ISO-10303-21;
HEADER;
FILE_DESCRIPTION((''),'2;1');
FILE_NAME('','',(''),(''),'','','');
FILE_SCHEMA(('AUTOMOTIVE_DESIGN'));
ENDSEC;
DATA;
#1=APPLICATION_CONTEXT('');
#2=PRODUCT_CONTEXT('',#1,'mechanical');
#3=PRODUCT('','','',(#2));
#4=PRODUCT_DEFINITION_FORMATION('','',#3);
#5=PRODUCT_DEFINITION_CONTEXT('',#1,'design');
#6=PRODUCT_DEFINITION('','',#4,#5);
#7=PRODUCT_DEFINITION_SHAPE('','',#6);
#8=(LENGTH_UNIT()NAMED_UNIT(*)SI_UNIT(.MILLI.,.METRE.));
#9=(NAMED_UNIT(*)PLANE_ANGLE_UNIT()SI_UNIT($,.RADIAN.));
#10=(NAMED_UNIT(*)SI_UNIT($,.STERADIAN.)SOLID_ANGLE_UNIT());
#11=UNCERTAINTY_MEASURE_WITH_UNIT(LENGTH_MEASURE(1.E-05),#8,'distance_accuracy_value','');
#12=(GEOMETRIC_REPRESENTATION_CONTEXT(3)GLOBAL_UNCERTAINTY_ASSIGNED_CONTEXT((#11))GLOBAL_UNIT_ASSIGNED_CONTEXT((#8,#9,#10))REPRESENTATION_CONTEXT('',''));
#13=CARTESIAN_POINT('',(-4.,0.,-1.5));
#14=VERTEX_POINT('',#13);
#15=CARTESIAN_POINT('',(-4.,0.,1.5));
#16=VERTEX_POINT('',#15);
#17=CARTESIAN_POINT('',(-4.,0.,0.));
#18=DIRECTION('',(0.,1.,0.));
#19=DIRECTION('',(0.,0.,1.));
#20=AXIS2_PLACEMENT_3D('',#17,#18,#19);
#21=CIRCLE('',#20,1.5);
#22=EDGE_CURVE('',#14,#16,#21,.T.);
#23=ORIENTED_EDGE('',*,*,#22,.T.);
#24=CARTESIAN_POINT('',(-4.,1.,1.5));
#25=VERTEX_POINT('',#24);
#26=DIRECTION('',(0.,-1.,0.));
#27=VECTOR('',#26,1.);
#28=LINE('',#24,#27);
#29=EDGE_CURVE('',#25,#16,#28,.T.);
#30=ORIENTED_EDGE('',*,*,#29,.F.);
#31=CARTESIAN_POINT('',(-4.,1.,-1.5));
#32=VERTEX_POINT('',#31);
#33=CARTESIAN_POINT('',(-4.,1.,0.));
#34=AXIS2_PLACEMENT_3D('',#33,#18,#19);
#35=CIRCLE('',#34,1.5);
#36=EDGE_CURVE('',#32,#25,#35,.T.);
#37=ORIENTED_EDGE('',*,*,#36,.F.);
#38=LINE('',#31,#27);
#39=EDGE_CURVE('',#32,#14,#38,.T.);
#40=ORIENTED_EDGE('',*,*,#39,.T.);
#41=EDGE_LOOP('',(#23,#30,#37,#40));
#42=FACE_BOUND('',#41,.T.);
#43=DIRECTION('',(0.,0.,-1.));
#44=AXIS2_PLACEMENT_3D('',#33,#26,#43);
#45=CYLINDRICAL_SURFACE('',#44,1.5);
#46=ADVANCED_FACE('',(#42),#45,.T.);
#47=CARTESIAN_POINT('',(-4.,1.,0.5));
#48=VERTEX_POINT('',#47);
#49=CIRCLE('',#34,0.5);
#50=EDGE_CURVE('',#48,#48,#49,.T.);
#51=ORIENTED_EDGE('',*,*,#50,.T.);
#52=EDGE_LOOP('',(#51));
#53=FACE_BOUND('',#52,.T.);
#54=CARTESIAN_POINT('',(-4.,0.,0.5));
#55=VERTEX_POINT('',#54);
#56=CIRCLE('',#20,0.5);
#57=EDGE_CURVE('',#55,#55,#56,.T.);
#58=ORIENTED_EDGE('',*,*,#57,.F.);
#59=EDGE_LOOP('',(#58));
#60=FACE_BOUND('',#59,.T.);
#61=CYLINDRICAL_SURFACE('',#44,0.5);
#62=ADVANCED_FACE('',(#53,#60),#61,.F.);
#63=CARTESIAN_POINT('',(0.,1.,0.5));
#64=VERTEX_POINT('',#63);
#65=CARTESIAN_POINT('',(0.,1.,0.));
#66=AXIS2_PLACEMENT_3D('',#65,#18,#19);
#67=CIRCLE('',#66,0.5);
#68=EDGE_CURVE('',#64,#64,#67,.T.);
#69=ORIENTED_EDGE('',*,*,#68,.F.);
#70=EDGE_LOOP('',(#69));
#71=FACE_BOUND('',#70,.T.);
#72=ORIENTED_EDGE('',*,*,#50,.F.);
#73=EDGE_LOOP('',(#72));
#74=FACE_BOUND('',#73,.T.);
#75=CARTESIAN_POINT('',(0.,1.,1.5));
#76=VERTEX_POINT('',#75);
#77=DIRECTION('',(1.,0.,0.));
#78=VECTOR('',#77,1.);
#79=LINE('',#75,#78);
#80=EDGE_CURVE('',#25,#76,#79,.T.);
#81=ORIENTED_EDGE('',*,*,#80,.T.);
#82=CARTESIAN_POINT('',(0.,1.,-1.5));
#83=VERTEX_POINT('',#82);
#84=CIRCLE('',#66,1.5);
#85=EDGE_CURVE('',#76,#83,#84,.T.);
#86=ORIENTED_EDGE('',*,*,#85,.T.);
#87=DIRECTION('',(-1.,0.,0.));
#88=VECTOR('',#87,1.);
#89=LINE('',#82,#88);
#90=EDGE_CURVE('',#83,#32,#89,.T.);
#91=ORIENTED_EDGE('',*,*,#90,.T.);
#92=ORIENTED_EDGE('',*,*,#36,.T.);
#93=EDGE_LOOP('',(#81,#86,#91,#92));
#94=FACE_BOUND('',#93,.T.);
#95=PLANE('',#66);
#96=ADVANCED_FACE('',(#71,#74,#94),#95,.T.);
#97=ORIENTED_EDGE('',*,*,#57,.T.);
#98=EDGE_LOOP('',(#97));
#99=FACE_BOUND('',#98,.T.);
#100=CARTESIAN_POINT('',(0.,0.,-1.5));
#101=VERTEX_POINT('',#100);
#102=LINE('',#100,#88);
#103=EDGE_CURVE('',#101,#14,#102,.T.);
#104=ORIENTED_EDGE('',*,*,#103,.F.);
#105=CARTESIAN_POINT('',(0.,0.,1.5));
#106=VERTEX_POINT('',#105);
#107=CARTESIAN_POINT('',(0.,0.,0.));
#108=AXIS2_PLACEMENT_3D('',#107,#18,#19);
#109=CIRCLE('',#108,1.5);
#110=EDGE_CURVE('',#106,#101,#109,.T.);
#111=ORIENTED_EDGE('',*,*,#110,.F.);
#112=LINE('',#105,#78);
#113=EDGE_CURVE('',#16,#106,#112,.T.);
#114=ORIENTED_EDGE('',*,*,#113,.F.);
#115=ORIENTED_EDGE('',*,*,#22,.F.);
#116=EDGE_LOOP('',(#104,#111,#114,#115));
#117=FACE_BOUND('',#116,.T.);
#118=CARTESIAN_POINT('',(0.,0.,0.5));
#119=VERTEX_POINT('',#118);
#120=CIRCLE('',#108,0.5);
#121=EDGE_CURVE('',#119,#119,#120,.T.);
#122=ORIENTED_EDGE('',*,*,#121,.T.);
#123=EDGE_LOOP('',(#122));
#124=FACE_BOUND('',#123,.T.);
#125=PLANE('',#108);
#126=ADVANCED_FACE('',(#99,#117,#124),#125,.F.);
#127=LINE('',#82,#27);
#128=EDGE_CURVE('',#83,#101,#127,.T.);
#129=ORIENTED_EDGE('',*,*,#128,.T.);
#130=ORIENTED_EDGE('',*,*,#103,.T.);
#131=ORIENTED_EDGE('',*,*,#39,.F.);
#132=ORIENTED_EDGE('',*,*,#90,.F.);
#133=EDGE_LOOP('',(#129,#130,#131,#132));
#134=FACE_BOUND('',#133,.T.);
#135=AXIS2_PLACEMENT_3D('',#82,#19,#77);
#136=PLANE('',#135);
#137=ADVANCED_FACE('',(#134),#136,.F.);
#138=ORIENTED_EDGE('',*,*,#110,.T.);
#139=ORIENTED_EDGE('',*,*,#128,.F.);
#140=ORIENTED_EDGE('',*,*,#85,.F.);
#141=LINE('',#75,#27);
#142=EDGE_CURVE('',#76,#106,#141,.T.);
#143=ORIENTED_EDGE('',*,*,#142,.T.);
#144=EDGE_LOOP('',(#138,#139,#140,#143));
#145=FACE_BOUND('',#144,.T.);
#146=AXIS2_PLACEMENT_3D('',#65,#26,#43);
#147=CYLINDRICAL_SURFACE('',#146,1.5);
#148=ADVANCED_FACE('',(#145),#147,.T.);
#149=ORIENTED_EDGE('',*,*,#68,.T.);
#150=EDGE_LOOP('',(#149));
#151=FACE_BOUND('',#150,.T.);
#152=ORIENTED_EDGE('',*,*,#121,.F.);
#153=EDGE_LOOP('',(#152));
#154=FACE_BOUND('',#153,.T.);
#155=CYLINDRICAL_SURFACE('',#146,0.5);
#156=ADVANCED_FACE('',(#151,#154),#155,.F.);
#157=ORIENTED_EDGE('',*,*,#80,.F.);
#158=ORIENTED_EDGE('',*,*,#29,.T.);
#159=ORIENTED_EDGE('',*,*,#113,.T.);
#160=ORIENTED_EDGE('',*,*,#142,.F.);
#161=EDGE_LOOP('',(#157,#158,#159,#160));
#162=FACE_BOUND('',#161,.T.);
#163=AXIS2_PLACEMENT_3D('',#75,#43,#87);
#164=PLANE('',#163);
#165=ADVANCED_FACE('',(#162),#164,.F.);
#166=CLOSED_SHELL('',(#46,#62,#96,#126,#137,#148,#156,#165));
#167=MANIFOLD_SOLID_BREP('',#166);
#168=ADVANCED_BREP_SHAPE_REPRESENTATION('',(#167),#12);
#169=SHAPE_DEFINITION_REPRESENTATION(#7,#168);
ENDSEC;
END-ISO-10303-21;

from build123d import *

# Parameters (mm, degrees)
SKETCH_1_R      = 0.5
EXTRUDE_1_DEPTH = 1


with BuildPart() as part:
    # 草图1 → 凸台-拉伸1 (new body)
    with BuildSketch(Plane(origin=(0, 0, 0), x_dir=(1, 0, 0), z_dir=(0, 1, 0))):
        with BuildLine():
            Line((0, -1.5), (-4, -1.5))
            ThreePointArc((-4, -1.5), (-5.5, 0), (-4, 1.5))
            Line((-4, 1.5), (0, 1.5))
            ThreePointArc((0, 1.5), (1.5, 0), (0, -1.5))
        make_face()
        with Locations(Location((-4, 0, 0), (0, 0, 270))):
            Circle(SKETCH_1_R, mode=Mode.SUBTRACT)
        with Locations(Location((0, 0, 0), (0, 0, 270))):
            Circle(SKETCH_1_R, mode=Mode.SUBTRACT)
    extrude(amount=EXTRUDE_1_DEPTH)


solid = part.part
